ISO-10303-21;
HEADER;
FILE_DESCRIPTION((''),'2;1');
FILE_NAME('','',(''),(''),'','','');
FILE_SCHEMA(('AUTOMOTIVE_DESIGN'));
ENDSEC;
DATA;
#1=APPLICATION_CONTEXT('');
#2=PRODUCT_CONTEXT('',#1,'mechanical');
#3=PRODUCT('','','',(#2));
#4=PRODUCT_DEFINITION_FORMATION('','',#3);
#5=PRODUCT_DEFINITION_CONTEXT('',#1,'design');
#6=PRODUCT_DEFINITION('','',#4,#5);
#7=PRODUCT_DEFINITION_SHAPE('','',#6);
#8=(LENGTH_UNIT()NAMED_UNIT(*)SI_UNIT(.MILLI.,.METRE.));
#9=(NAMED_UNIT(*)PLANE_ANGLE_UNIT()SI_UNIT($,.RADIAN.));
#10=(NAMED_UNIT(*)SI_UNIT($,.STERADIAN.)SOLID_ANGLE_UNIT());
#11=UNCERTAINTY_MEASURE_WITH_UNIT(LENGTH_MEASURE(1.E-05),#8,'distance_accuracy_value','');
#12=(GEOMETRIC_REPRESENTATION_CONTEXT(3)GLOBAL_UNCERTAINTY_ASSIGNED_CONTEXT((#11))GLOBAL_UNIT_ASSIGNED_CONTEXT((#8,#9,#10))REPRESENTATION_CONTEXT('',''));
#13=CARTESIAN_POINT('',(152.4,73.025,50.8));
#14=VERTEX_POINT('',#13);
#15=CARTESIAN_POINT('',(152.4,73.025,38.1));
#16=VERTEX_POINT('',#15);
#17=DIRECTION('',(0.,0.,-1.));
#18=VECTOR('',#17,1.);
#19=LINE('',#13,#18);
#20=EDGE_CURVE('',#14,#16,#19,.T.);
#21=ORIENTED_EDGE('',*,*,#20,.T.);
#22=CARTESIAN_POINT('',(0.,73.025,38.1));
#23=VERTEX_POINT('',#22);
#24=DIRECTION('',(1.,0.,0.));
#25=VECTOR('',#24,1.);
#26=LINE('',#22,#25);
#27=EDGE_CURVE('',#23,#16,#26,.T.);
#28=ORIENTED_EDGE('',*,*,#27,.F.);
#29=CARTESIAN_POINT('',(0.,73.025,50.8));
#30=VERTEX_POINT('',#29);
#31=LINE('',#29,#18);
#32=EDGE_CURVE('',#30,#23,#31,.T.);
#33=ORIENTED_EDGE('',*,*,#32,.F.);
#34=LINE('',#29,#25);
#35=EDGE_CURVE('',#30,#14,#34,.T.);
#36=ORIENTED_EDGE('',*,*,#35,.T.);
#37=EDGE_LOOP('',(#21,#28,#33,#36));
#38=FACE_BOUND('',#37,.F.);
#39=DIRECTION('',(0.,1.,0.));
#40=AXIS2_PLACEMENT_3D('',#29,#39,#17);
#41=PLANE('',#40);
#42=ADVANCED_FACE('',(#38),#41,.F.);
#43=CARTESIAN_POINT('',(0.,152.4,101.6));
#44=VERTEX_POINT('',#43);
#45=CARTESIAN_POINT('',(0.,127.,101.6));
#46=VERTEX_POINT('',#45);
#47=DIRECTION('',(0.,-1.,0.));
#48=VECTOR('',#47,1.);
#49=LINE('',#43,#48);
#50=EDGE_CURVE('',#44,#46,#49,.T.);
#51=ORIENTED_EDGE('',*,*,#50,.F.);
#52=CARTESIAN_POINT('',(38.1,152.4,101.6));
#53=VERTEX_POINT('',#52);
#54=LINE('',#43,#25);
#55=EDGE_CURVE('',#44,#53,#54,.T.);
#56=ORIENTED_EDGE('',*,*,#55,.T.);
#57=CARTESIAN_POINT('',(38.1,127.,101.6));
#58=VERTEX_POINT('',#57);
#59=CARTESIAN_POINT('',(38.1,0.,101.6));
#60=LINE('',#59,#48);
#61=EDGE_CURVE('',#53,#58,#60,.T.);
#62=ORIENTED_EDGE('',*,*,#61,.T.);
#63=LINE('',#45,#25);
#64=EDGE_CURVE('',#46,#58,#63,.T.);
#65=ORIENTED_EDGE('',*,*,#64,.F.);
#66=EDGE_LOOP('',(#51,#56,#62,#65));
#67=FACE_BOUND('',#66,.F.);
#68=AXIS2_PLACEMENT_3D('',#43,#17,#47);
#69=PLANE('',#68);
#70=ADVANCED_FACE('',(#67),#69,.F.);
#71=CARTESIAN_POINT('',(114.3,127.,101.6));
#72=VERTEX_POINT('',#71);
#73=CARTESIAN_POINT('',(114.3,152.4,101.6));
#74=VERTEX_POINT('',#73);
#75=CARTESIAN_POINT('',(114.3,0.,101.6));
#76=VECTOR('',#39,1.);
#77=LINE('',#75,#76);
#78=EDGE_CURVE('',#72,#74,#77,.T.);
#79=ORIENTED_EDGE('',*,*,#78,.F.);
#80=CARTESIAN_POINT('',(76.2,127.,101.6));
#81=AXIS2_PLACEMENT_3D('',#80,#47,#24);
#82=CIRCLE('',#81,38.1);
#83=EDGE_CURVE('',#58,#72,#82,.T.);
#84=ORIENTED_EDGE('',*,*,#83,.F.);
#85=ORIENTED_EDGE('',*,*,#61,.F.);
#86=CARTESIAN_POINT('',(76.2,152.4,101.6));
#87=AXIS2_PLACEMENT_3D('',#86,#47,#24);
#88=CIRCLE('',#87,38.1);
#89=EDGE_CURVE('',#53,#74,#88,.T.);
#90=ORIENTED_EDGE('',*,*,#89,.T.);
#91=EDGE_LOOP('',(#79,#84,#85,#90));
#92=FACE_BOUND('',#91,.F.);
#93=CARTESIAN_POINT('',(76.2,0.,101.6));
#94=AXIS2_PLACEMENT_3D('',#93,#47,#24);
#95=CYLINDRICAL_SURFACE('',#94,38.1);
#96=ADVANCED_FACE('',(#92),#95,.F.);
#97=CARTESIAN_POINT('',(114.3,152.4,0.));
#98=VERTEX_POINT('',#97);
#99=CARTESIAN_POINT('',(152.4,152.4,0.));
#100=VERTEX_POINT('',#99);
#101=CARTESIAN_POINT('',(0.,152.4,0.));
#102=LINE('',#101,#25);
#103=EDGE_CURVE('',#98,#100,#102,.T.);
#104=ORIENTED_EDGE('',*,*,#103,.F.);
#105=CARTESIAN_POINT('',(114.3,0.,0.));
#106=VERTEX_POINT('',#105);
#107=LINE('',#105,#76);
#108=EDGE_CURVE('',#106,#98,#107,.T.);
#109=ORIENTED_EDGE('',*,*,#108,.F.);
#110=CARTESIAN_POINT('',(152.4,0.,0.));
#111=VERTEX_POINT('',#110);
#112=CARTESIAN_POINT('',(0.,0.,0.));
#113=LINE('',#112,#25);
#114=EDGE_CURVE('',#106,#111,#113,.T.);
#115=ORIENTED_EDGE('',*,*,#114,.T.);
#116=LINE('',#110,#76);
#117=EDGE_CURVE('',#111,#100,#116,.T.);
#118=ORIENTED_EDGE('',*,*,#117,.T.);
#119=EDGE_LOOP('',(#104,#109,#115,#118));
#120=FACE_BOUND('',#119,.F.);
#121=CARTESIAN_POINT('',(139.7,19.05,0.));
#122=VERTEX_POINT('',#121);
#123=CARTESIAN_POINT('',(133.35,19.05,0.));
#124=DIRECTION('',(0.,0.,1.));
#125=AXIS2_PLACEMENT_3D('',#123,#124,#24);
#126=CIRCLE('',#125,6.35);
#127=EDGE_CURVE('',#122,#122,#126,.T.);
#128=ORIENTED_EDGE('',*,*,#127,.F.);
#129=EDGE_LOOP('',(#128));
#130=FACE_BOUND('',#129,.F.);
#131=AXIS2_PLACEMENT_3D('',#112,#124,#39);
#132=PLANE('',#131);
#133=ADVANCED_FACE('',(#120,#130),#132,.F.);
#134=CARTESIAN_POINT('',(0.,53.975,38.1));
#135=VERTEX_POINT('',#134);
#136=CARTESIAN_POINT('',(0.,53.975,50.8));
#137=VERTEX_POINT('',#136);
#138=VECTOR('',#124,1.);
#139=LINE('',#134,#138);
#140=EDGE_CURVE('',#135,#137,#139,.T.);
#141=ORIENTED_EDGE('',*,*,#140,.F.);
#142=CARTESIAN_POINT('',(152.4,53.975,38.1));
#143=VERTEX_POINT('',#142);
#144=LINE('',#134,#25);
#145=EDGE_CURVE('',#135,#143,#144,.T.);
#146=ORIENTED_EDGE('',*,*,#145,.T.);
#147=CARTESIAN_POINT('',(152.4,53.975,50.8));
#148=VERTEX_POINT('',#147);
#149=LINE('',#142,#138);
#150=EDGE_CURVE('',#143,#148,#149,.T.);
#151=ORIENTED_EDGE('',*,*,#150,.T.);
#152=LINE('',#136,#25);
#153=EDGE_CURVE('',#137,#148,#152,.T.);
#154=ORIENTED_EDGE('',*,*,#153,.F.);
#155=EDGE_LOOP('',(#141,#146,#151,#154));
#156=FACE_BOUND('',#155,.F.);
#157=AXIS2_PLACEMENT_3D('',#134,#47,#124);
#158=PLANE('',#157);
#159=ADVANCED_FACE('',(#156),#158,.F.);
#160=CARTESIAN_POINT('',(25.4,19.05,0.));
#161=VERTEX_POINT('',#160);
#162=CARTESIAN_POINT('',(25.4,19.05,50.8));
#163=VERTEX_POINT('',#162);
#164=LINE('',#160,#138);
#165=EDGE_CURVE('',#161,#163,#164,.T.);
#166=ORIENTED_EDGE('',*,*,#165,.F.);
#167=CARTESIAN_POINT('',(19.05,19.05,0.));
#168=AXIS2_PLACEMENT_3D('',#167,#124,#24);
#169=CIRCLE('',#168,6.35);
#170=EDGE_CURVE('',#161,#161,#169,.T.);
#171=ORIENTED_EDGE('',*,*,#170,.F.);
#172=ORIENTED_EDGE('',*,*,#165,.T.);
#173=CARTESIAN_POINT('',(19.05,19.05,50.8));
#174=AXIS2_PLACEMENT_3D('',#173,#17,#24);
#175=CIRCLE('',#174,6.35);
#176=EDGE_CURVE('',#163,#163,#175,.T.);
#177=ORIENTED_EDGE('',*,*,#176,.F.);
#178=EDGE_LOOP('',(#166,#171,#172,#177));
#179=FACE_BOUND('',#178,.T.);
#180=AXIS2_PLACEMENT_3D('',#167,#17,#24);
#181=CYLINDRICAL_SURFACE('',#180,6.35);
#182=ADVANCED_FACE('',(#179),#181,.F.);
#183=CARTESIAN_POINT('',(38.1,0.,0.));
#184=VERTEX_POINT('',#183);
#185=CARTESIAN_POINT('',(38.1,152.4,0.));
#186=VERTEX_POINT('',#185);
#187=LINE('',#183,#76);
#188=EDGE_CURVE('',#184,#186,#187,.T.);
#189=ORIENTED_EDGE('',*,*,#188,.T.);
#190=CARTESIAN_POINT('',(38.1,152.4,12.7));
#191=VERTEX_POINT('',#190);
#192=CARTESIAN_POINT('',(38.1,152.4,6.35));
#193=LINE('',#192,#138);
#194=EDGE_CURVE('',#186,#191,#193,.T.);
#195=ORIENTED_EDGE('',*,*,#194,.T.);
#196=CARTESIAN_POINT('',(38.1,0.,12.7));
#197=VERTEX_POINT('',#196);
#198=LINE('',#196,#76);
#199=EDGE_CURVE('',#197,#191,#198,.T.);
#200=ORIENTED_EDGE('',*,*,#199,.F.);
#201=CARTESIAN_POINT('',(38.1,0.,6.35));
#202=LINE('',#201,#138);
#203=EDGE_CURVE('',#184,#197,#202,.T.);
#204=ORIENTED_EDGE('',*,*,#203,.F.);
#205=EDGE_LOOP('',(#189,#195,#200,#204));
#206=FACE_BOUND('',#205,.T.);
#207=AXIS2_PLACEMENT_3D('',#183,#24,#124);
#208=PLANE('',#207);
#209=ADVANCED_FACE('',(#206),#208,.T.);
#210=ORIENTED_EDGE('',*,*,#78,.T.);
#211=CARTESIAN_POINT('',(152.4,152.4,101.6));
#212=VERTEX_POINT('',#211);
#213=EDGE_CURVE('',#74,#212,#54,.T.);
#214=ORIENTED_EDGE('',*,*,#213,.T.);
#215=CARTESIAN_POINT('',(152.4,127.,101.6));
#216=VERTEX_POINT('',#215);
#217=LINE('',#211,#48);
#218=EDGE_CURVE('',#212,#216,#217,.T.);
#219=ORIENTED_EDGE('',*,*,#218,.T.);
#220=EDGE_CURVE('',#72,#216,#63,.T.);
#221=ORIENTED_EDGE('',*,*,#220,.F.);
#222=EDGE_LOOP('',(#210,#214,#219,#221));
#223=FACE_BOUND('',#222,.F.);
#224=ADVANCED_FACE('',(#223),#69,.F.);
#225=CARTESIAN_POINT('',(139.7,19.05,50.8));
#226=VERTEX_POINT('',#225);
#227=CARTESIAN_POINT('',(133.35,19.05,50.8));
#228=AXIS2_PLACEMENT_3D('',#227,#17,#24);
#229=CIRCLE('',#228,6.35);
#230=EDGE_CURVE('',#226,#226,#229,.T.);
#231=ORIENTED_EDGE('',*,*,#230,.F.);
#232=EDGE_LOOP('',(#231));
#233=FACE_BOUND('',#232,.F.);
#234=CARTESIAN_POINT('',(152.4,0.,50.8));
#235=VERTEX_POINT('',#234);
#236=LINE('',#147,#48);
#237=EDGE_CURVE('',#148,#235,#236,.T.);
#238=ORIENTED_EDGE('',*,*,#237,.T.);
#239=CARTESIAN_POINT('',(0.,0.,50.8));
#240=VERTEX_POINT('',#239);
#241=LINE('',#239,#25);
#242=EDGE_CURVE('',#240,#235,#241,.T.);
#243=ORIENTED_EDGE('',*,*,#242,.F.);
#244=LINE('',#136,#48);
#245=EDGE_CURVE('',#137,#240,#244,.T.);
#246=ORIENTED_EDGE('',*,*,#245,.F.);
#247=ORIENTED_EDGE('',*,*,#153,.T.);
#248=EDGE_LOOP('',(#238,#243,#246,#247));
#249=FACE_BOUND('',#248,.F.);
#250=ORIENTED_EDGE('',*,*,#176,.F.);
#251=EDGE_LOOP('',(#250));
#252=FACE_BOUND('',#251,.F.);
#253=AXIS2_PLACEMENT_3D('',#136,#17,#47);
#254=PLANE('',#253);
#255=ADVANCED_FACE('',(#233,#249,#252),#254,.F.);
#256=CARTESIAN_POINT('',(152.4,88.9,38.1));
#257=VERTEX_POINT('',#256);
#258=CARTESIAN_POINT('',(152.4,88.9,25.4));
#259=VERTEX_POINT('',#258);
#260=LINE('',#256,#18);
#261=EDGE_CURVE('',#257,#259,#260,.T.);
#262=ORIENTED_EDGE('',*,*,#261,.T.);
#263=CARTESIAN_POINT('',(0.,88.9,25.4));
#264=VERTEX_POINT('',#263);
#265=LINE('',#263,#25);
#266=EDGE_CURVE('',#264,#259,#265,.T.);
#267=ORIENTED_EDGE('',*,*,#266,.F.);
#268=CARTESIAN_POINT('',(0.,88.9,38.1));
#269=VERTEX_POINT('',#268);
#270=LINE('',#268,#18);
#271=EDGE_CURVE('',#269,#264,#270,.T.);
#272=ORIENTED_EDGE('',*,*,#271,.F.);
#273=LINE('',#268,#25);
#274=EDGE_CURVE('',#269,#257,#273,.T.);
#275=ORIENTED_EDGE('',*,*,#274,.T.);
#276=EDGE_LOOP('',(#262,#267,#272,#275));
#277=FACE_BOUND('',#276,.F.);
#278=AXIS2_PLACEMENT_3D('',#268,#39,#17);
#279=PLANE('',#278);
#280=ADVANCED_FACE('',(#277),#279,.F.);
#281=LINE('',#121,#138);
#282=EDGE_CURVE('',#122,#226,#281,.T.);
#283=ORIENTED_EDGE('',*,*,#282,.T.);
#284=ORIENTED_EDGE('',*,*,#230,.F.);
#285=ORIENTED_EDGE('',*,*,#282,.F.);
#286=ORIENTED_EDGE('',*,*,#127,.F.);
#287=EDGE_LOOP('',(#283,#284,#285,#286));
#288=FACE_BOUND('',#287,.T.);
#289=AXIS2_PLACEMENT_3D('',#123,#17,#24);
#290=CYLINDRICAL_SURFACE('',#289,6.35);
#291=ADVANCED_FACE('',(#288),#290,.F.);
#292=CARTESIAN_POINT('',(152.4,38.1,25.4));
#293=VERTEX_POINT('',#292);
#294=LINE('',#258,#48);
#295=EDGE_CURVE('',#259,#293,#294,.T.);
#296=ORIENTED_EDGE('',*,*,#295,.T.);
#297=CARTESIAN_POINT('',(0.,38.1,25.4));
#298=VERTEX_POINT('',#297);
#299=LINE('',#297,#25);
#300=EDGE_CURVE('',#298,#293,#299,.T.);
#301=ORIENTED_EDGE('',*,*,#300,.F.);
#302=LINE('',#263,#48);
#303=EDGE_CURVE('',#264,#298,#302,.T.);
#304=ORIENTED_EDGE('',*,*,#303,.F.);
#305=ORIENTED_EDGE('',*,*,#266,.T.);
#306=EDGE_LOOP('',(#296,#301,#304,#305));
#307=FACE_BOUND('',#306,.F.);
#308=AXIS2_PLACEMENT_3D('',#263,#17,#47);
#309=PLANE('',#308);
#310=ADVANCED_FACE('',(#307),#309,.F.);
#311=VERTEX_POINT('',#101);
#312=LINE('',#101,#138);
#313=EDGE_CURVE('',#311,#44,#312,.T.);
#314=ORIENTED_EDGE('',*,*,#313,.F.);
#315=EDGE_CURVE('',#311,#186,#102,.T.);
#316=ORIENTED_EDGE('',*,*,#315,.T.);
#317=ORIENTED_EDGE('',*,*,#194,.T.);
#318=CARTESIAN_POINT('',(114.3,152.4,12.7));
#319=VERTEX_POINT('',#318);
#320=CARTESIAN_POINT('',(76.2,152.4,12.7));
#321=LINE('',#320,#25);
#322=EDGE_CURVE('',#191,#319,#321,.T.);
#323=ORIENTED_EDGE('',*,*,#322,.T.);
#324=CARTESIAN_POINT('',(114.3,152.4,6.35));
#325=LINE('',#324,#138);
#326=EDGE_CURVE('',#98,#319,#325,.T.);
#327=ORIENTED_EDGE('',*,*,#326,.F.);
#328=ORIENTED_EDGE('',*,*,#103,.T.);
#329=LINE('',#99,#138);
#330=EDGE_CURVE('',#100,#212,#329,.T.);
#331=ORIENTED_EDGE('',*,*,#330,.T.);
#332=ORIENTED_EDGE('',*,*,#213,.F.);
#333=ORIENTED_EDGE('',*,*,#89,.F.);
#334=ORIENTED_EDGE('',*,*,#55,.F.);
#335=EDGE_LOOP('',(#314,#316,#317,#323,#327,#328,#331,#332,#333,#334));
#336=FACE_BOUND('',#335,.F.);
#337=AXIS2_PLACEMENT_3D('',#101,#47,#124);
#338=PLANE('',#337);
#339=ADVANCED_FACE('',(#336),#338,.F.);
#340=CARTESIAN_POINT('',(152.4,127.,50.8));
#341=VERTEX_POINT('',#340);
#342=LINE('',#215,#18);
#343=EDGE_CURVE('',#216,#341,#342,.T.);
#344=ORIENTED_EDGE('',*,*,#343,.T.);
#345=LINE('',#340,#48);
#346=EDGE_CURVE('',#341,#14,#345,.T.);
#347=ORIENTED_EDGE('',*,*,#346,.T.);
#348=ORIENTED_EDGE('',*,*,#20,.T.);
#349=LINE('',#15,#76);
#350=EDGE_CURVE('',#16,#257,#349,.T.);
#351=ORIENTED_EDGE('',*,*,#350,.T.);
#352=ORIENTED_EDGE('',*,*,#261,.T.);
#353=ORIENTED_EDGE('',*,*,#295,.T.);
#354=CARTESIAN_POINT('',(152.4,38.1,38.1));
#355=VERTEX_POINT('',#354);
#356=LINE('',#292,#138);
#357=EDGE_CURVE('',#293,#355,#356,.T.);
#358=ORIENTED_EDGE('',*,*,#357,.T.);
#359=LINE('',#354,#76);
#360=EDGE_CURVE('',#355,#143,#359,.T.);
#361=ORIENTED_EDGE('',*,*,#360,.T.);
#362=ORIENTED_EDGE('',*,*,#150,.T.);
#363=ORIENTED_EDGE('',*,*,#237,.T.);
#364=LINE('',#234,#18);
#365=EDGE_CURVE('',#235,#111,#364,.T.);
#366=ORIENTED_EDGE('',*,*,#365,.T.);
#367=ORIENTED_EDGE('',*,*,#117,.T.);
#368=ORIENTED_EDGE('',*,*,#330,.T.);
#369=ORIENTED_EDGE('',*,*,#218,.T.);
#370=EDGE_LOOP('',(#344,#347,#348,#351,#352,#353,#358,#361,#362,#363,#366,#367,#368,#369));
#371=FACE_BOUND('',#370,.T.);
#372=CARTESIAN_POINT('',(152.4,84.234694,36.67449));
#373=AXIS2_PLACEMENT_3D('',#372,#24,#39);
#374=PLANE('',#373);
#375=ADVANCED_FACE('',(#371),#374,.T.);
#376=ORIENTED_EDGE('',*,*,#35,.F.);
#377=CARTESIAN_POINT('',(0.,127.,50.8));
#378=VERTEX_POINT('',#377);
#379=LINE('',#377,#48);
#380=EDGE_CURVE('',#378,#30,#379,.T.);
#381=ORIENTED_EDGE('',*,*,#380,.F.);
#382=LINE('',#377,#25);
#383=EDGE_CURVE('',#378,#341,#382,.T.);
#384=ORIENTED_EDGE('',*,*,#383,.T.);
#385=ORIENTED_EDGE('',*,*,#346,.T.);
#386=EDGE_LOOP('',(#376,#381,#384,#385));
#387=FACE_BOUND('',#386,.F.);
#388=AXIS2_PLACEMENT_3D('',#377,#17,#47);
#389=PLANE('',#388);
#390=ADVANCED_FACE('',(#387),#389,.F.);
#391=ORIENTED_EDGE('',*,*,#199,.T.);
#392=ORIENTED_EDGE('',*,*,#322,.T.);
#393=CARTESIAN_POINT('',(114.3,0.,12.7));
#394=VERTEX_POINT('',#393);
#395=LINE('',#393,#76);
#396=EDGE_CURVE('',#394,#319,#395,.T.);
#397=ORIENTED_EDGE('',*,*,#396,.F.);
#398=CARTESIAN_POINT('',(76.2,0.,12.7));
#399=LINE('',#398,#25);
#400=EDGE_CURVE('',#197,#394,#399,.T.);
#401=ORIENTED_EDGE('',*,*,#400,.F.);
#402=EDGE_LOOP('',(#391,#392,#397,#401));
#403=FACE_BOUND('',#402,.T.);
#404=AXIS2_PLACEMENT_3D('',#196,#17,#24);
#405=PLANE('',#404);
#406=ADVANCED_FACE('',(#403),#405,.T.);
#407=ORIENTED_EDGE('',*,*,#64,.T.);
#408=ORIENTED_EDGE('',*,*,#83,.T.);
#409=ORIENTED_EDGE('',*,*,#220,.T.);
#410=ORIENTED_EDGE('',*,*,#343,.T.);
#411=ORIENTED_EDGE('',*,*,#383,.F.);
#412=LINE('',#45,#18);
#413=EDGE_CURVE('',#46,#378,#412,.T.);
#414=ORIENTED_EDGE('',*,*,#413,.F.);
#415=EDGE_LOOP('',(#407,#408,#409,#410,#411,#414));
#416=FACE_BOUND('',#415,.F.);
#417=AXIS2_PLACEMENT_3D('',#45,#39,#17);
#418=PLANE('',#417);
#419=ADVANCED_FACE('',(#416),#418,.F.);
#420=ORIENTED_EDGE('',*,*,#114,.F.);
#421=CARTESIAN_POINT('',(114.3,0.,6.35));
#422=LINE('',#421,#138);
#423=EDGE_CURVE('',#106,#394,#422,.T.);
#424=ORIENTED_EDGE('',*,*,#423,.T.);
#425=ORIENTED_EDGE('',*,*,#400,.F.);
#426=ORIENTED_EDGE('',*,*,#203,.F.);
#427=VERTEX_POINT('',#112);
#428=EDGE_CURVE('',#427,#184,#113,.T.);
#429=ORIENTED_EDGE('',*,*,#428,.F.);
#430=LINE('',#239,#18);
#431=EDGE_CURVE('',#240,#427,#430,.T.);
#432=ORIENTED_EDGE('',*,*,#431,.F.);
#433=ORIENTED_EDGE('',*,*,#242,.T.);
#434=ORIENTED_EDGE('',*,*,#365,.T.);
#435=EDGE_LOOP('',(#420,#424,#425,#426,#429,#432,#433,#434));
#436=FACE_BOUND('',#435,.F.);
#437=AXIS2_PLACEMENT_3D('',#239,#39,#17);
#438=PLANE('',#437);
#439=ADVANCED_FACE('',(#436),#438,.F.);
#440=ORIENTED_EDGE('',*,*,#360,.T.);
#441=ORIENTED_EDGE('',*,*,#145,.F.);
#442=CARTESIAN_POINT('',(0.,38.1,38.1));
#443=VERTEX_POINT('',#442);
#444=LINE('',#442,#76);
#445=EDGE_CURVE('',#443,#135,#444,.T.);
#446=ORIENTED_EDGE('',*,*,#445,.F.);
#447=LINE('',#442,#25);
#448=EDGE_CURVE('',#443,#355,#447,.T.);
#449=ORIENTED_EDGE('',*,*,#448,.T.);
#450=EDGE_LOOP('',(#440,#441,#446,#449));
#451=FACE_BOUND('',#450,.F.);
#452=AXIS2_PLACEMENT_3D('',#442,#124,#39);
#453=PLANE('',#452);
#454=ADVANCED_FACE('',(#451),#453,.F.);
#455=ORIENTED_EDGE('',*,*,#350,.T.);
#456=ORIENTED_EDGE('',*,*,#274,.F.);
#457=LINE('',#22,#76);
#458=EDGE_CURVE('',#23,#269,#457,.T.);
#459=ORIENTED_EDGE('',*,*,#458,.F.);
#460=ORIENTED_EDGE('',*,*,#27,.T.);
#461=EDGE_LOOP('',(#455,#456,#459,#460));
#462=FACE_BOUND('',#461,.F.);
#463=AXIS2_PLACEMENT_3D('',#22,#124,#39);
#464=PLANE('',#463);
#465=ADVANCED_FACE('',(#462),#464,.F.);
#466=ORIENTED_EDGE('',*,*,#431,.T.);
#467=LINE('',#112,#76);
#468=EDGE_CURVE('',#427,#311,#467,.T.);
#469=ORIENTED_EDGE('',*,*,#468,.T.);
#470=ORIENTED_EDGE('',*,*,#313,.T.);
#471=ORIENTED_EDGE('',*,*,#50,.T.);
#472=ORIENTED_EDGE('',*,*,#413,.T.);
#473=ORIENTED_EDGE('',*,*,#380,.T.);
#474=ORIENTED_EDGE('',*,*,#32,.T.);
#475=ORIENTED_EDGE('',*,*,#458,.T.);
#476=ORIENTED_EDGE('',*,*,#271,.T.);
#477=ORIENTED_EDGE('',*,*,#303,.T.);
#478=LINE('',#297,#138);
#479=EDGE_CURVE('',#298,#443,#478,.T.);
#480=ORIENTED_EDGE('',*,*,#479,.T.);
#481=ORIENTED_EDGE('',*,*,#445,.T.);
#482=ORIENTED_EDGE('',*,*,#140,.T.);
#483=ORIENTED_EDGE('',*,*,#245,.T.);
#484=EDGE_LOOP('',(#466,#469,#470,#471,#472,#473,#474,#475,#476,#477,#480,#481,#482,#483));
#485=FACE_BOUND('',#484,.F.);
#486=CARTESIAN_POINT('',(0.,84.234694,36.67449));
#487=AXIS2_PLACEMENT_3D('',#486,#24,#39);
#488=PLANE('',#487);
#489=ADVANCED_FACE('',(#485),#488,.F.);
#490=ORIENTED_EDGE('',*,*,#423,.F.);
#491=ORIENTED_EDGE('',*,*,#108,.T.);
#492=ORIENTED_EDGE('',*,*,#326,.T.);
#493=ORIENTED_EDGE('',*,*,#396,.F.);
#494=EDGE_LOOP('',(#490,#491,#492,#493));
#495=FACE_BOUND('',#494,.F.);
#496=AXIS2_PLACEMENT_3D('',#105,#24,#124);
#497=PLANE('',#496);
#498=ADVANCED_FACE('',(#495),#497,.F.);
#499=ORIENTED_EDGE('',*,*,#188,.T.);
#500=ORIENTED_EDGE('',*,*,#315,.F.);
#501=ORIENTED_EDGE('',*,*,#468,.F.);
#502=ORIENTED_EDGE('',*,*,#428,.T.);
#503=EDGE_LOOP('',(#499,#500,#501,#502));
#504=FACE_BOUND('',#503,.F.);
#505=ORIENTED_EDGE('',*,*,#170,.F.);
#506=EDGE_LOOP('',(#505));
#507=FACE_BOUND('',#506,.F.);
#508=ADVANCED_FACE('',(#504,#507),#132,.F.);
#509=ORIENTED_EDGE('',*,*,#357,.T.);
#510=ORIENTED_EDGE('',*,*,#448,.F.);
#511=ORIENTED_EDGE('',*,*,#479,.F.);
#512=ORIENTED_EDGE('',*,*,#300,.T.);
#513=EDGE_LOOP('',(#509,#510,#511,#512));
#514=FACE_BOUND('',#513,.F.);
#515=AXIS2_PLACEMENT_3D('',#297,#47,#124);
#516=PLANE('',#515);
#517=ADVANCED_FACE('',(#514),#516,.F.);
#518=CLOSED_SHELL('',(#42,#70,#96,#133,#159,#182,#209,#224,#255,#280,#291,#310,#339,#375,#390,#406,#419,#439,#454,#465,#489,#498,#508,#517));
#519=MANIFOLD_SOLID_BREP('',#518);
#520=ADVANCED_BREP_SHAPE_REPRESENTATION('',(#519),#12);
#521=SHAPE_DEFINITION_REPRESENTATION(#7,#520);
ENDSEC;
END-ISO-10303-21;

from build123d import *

# Parameters (mm, degrees)
F1_DEPTH = 152.4
F2_W     = 76.2
F2_H     = 12.7
F3_DEPTH = 152.4
F5_DEPTH = 171.70927
F7_R     = 6.35
F8_DEPTH = 152.4


with BuildPart() as f1:
    # F0 (on Right) → F1 (new body)
    with BuildSketch(Plane.YZ):
        Polygon((0, 50.8), (0, 0), (152.4, 0), (152.4, 101.6), (127, 101.6), (127, 50.8), (73.025, 50.8), (73.025, 38.1), (88.9, 38.1), (88.9, 25.4), (38.1, 25.4), (38.1, 38.1), (53.975, 38.1), (53.975, 50.8), align=None)
    extrude(amount=F1_DEPTH)

    # F2 (on Front) → F3 (cut)
    with BuildSketch(Plane.XZ):
        with Locations((76.2, 6.35)):
            Rectangle(F2_W, F2_H)
    extrude(amount=-F3_DEPTH, mode=Mode.SUBTRACT)

    # F4 (on Front) → F5 (cut)
    with BuildSketch(Plane.XZ):
        with BuildLine():
            ThreePointArc((38.1, 101.6), (76.2, 63.5), (114.3, 101.6))
            Line((114.3, 101.6), (38.1, 101.6))
        make_face()
        with BuildLine():
            Line((38.1, 101.6), (114.3, 101.6))
            ThreePointArc((114.3, 101.6), (76.2, 139.7), (38.1, 101.6))
        make_face()
    extrude(amount=-F5_DEPTH, mode=Mode.SUBTRACT)

    # F7 (on Top) → F8 (cut)
    with BuildSketch(Plane.XY):
        with Locations((19.05, 19.05)):
            Circle(F7_R)
        with Locations((133.35, 19.05)):
            Circle(F7_R)
    extrude(amount=F8_DEPTH, mode=Mode.SUBTRACT)


solid = f1.part
